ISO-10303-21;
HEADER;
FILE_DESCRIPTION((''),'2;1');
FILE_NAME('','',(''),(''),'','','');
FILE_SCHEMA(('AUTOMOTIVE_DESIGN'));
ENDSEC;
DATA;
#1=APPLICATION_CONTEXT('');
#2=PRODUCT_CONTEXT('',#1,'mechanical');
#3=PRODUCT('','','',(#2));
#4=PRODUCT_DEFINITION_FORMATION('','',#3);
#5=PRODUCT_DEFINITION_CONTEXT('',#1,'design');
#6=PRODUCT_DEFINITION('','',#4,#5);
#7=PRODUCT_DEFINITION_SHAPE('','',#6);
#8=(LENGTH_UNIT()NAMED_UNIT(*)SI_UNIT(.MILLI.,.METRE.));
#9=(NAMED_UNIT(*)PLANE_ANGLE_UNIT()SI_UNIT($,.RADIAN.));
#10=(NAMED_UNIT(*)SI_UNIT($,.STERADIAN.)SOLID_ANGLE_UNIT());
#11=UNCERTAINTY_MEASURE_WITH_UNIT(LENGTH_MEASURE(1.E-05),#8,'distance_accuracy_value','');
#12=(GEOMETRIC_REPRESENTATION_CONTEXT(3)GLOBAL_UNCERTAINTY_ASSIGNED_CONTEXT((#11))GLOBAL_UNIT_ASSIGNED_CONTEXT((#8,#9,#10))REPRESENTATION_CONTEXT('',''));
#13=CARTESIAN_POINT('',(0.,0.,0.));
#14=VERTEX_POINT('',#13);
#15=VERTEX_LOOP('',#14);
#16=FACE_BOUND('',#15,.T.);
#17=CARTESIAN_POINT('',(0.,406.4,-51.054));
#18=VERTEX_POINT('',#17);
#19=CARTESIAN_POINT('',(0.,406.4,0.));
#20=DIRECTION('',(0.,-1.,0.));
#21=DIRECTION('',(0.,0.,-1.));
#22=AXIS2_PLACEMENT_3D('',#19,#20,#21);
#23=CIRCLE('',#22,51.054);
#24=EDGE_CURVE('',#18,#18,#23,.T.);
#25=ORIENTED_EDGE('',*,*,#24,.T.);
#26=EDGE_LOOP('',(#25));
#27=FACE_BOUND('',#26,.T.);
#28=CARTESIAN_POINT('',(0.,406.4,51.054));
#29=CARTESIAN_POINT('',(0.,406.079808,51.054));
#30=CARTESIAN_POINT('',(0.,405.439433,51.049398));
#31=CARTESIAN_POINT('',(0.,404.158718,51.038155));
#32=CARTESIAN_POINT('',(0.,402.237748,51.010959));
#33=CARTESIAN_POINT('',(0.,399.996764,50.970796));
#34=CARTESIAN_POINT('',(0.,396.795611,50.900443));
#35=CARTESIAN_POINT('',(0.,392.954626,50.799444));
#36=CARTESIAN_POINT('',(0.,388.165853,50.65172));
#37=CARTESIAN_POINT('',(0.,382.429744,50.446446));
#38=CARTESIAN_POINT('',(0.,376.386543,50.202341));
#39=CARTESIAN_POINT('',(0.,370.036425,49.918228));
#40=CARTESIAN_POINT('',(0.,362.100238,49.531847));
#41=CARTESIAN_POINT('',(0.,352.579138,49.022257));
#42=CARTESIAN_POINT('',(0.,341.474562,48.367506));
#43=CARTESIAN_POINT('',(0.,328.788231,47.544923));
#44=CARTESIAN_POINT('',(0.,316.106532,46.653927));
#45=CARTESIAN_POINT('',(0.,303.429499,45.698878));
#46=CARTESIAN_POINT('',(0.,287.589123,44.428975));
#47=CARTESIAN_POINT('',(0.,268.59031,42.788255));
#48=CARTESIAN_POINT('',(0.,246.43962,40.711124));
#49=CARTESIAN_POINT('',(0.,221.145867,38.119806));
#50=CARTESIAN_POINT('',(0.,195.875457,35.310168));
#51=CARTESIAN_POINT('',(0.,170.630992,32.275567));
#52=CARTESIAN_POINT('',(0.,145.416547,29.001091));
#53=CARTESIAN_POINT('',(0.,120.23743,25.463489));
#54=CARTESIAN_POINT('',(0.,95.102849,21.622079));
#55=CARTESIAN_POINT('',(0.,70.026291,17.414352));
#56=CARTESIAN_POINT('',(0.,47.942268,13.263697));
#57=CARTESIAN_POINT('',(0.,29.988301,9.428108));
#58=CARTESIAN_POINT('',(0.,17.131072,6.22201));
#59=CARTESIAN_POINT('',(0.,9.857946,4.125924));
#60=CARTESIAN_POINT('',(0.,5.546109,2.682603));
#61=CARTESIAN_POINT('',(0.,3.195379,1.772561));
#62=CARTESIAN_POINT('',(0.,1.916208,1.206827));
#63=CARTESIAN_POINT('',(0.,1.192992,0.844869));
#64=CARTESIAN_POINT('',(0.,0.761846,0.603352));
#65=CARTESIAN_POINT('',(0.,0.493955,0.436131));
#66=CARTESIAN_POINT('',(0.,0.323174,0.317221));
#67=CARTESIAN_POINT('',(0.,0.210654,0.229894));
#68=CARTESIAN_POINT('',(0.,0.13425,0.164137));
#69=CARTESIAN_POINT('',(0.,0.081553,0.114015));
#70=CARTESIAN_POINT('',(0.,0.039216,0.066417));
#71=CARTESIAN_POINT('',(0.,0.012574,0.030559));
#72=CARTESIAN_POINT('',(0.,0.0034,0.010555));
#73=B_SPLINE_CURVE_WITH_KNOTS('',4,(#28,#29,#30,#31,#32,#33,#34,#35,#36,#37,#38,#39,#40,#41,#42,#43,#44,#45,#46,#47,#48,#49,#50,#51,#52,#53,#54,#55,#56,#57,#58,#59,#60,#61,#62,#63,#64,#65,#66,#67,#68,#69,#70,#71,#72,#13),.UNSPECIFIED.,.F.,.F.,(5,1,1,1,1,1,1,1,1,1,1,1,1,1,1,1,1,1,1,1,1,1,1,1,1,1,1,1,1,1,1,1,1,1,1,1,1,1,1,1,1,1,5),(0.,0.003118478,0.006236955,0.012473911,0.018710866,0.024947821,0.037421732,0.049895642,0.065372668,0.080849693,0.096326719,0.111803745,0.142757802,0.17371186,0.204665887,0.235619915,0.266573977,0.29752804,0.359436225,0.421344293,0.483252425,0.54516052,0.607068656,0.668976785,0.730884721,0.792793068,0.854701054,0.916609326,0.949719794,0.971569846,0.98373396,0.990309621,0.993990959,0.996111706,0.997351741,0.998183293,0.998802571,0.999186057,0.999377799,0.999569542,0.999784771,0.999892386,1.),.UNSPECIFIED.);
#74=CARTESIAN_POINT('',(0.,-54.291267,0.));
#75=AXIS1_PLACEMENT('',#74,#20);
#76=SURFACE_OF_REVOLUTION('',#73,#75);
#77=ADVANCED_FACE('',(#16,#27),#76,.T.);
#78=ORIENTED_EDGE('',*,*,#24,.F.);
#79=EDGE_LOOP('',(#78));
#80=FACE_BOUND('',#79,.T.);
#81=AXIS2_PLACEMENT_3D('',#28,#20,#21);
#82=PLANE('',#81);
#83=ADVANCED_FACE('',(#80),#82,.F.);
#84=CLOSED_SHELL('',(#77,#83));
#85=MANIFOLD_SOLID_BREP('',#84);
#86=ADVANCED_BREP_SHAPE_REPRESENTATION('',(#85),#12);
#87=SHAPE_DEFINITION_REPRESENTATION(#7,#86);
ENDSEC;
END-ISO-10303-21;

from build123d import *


with BuildPart() as part:
    # Sketch4 → Revolve2 (revolve)
    with BuildSketch(Plane.YZ):
        with BuildLine():
            Line((406.4, 51.054), (406.4, 0))
            Line((406.4, 0), (0, 0))
            add(Edge.make_bspline(
                [(0, 0), (0.00339952, 0.010554547), (0.012574325, 0.030559237), (0.039215965, 0.066417272), (0.081552945, 0.114014958), (0.134250383, 0.164137283), (0.210653795, 0.229893575), (0.323173514, 0.317220853), (0.49395501, 0.436130831), (0.761846071, 0.603352229), (1.192992221, 0.844869338), (1.916207715, 1.206827482), (3.195378804, 1.772560937), (5.546109059, 2.682603054), (9.85794582, 4.125923842), (17.131071969, 6.222010102), (29.988300984, 9.428108011), (47.942267832, 13.263697051), (70.026290739, 17.414351733), (95.102849328, 21.62207877), (120.237429542, 25.463489097), (145.416546594, 29.001091307), (170.630991544, 32.275566502), (195.87545716, 35.31016795), (221.145866801, 38.119805854), (246.439619917, 40.711123942), (268.590310157, 42.78825523), (287.589122501, 44.42897509), (303.429499136, 45.69887812), (316.106532446, 46.653927133), (328.788231387, 47.544923227), (341.474562226, 48.36750582), (352.579138015, 49.022257465), (362.100238046, 49.531847278), (370.036424678, 49.918228145), (376.386543421, 50.202341086), (382.429743923, 50.446446174), (388.165853466, 50.651719802), (392.95462623, 50.799444004), (396.795610591, 50.900443405), (399.996764141, 50.97079607), (402.237747974, 51.010959361), (404.158718369, 51.038154731), (405.43943342, 51.049398219), (406.079808332, 51.054), (406.4, 51.054)],
                knots=[0, 0, 0, 0, 0, 0.000107614, 0.000215229, 0.000430458, 0.000622201, 0.000813943, 0.001197429, 0.001816707, 0.002648259, 0.003888294, 0.006009041, 0.009690379, 0.01626604, 0.028430154, 0.050280206, 0.083390674, 0.145298946, 0.207206932, 0.269115279, 0.331023215, 0.392931344, 0.45483948, 0.516747575, 0.578655707, 0.640563775, 0.70247196, 0.733426023, 0.764380085, 0.795334113, 0.82628814, 0.857242198, 0.888196255, 0.903673281, 0.919150307, 0.934627332, 0.950104358, 0.962578268, 0.975052179, 0.981289134, 0.987526089, 0.993763045, 0.996881522, 1, 1, 1, 1, 1], degree=4))
        make_face()
    revolve(axis=Axis((0, -54.29126653, 0), (0, 1, 0)))


solid = part.part
